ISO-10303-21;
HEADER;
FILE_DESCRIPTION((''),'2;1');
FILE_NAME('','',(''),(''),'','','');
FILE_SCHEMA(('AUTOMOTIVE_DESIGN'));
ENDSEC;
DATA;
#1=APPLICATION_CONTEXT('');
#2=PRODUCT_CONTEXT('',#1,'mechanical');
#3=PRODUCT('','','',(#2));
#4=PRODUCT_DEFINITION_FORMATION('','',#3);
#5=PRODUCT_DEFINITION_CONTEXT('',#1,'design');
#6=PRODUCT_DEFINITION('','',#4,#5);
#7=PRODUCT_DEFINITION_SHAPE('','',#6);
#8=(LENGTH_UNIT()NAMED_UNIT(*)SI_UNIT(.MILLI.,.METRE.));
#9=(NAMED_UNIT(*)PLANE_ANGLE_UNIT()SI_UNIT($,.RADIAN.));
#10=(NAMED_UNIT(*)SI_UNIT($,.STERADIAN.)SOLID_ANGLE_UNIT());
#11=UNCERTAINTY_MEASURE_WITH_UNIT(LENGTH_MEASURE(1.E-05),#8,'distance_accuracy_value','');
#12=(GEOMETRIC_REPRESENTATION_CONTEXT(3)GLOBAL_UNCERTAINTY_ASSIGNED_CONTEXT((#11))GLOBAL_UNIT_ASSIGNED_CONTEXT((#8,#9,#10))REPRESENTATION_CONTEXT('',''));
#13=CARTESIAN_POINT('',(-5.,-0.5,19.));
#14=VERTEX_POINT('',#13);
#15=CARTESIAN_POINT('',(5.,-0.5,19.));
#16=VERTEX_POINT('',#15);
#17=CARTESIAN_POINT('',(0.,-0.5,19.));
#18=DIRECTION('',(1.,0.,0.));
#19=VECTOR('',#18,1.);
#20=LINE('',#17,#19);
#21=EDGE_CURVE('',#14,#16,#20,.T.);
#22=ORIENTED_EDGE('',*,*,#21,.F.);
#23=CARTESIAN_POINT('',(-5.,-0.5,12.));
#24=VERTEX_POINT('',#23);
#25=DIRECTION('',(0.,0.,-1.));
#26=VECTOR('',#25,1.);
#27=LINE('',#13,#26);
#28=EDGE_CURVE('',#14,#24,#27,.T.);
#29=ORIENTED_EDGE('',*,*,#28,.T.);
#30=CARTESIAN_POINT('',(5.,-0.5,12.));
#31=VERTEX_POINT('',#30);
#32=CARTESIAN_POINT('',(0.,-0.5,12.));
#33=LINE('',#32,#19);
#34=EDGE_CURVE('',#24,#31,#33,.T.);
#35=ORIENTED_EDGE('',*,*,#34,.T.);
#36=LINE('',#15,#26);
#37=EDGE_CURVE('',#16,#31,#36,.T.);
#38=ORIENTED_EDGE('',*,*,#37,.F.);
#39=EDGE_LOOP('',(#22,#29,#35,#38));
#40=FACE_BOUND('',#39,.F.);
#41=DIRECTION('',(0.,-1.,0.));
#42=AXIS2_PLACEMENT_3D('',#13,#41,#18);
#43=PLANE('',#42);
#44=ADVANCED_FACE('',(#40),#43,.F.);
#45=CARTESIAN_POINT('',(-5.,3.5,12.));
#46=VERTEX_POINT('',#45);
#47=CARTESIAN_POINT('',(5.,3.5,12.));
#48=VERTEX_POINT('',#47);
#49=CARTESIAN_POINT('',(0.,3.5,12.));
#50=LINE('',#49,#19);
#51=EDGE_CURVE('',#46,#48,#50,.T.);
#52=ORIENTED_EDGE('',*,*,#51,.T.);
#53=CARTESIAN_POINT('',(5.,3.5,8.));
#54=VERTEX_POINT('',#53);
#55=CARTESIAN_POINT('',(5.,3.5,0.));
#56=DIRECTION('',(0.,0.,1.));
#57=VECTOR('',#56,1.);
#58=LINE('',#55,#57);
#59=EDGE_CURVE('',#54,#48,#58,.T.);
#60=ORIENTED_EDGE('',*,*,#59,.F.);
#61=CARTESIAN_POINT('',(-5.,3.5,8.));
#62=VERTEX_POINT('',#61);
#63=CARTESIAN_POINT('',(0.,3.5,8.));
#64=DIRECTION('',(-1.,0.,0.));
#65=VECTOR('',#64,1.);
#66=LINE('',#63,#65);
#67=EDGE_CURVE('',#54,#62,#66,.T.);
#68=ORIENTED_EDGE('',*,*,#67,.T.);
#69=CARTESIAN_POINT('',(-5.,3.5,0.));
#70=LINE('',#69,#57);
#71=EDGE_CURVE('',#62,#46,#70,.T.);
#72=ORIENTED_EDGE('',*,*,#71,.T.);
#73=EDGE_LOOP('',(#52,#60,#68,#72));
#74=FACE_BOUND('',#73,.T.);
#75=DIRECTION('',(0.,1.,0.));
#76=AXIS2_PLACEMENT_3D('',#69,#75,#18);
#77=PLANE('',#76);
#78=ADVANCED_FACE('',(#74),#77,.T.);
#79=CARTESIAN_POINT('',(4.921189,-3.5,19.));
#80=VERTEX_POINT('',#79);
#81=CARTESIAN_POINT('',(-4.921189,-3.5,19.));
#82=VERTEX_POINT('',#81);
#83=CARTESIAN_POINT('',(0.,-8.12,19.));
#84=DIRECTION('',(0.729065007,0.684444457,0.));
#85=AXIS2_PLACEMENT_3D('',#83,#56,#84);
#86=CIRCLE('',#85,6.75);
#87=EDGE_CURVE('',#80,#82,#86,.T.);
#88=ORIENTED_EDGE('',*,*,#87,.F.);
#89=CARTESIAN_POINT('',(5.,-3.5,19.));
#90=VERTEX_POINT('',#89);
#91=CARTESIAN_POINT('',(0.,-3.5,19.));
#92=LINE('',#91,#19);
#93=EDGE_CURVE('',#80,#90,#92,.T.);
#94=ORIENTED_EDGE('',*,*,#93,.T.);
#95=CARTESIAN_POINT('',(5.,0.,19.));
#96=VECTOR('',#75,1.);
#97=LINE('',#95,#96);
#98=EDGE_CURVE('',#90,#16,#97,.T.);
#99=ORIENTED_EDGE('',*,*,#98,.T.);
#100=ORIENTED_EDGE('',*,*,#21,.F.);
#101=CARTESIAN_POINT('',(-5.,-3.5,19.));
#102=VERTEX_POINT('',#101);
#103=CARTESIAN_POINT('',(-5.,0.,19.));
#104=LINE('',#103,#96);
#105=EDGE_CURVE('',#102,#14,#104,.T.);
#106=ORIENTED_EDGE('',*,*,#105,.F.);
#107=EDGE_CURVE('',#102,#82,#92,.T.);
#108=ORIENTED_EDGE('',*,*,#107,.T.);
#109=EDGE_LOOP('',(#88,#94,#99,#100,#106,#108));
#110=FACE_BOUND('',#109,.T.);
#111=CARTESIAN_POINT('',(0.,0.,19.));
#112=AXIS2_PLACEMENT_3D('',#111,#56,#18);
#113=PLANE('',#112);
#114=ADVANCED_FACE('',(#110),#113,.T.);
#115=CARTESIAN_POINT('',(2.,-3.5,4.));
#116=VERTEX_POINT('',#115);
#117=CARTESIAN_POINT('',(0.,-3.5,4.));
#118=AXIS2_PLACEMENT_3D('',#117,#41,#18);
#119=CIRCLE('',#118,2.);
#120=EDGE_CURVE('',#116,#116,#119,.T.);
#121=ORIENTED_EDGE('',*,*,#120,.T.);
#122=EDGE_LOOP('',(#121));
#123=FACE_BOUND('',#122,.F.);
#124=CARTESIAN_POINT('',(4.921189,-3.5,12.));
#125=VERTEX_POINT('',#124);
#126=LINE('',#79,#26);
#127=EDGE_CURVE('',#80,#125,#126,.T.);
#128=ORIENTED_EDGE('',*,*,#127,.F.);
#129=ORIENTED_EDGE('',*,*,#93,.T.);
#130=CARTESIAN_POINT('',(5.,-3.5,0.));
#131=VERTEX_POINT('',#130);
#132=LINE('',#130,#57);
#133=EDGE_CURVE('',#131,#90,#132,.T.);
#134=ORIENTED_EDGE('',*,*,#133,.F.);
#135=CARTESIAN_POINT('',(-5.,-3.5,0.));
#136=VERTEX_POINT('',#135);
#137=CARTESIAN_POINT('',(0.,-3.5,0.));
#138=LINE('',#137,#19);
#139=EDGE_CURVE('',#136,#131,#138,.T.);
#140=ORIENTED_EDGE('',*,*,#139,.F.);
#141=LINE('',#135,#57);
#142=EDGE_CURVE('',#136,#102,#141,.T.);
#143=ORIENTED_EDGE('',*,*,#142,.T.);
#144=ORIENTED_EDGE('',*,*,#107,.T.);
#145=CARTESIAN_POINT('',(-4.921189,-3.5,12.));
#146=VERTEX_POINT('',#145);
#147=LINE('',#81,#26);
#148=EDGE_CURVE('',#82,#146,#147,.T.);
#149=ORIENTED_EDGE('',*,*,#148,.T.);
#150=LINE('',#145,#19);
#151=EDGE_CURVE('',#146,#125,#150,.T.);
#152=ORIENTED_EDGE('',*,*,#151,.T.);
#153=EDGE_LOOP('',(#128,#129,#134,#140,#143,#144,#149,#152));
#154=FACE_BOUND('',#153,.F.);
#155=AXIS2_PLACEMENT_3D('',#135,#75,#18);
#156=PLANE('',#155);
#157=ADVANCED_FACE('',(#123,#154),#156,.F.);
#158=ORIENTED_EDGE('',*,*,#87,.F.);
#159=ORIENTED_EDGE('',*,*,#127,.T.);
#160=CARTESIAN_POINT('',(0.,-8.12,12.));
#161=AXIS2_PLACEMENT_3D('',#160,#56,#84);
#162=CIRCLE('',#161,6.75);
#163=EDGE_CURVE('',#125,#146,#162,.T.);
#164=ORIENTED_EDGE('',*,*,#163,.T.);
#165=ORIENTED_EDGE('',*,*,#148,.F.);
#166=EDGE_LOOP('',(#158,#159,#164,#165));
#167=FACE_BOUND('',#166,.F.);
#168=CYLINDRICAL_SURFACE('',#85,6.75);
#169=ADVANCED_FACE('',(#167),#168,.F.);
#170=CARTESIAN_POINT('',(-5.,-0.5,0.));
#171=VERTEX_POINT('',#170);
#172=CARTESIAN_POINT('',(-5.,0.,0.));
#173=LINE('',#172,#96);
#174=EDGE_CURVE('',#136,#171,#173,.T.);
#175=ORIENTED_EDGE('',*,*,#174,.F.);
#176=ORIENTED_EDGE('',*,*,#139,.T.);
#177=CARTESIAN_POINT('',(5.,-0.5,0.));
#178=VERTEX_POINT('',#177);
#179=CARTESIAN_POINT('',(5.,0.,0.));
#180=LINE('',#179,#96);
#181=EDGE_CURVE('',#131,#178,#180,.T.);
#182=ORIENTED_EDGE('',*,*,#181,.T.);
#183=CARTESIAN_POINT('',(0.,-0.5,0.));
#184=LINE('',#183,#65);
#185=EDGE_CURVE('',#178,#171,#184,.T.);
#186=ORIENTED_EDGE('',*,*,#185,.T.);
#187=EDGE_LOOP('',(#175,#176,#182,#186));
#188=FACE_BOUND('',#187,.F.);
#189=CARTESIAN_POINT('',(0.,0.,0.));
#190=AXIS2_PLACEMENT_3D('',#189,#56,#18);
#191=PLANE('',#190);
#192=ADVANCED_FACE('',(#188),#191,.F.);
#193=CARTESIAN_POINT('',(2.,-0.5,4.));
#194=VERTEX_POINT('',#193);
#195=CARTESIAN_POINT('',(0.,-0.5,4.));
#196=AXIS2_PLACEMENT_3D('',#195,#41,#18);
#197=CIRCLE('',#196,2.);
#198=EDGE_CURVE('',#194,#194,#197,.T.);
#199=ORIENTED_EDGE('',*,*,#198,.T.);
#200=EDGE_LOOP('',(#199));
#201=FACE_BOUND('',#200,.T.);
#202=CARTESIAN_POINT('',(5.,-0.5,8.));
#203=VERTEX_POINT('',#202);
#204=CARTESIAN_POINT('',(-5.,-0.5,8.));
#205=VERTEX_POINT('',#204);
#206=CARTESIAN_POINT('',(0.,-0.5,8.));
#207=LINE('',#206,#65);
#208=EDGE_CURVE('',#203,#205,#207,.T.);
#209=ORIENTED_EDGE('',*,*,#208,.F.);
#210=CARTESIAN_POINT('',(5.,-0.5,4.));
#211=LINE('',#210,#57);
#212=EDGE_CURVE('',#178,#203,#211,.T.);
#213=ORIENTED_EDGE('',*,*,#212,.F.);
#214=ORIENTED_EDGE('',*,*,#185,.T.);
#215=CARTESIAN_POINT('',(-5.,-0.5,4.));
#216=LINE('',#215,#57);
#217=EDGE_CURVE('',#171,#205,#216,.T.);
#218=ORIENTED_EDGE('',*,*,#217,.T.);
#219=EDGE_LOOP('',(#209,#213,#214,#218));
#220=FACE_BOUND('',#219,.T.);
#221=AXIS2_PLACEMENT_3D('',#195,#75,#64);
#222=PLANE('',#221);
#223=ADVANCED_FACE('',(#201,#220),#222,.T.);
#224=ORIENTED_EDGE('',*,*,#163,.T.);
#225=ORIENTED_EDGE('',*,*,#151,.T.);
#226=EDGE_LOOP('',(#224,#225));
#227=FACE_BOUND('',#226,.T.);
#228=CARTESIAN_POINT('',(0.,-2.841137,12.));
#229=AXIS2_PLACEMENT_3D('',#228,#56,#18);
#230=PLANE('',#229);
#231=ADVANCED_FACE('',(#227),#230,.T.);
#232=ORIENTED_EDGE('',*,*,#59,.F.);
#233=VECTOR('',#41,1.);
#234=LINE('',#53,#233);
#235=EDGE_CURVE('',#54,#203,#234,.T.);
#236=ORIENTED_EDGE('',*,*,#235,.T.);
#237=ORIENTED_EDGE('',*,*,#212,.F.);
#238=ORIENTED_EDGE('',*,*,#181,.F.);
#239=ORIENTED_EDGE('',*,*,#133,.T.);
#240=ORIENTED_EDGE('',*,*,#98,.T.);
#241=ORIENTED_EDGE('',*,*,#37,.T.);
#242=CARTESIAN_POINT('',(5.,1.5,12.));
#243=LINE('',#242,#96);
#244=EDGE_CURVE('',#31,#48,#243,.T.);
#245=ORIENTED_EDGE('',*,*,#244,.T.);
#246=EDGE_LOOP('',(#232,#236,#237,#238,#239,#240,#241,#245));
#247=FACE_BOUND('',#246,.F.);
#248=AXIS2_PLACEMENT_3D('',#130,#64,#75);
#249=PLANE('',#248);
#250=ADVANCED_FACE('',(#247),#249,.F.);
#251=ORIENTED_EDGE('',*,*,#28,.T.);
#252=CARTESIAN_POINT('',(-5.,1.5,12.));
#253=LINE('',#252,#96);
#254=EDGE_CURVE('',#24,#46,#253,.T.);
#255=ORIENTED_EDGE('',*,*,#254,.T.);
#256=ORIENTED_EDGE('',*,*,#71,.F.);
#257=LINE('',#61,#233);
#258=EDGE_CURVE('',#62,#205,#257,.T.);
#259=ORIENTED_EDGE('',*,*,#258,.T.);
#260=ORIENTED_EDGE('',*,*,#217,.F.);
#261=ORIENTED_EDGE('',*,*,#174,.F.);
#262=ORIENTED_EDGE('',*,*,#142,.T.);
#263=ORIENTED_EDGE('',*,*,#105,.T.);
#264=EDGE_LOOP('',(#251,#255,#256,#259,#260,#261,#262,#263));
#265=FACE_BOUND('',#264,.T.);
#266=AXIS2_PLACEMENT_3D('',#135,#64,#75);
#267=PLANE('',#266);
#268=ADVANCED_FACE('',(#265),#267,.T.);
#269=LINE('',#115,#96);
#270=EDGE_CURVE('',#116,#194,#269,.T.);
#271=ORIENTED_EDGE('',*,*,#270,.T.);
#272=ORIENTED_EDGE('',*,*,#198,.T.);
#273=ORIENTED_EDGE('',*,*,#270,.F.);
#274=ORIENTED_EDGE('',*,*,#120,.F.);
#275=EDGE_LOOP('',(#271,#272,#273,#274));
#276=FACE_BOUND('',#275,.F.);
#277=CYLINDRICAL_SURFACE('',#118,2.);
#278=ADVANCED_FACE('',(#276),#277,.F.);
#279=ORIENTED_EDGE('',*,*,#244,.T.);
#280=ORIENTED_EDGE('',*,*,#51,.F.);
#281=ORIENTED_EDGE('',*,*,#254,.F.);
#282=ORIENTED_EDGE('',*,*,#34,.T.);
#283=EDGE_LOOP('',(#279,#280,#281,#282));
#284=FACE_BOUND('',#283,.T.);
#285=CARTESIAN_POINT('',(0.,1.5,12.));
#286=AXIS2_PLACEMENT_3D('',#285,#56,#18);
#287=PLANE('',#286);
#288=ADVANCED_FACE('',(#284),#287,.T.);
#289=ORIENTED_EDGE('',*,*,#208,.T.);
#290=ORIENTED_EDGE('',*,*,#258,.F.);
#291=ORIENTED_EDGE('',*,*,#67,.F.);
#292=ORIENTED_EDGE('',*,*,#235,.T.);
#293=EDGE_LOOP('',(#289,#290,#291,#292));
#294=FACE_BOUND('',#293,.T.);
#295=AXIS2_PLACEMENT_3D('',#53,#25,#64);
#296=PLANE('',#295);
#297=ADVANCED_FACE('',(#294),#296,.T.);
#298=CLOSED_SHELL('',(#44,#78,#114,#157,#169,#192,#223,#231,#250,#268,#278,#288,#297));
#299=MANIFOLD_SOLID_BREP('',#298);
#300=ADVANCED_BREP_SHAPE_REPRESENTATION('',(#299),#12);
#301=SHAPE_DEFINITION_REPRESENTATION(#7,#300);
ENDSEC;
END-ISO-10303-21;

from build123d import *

# Parameters (mm, degrees)
F0_W     = 10
F0_H     = 7
F1_DEPTH = 19
F2_W     = 10
F2_H     = 4
F3_DEPTH = 7
F4_R     = 2
F5_DEPTH = 7.001
F6_W     = 10
F6_H     = 8
F7_DEPTH = 4


with BuildPart() as f1:
    # F0 (on Top) → F1 (new body)
    with BuildSketch(Plane.XY):
        Rectangle(F0_W, F0_H)
    extrude(amount=F1_DEPTH)

    # F2 (on face) → F3 (cut)
    with BuildSketch(Plane.XY.offset(19)):
        with BuildLine():
            Line((-4.921189, -3.5), (4.921189, -3.5))
            ThreePointArc((4.921189, -3.5), (0, -1.37), (-4.921189, -3.5))
        make_face()
        with Locations((0, 1.5)):
            Rectangle(F2_W, F2_H)
    extrude(amount=-F3_DEPTH, mode=Mode.SUBTRACT)

    # F4 (on face) → F5 (cut, through all)
    with BuildSketch(Plane.XZ.offset(3.5)):
        with Locations((0, 4)):
            Circle(F4_R)
    extrude(amount=-F5_DEPTH, mode=Mode.SUBTRACT)

    # F6 (on face) → F7 (cut)
    with BuildSketch(Plane(origin=(0, 3.5, 0), x_dir=(-1, 0, 0), z_dir=(0, 1, 0))):
        with Locations((0, 4)):
            Rectangle(F6_W, F6_H)
    extrude(amount=-F7_DEPTH, mode=Mode.SUBTRACT)


solid = f1.part
